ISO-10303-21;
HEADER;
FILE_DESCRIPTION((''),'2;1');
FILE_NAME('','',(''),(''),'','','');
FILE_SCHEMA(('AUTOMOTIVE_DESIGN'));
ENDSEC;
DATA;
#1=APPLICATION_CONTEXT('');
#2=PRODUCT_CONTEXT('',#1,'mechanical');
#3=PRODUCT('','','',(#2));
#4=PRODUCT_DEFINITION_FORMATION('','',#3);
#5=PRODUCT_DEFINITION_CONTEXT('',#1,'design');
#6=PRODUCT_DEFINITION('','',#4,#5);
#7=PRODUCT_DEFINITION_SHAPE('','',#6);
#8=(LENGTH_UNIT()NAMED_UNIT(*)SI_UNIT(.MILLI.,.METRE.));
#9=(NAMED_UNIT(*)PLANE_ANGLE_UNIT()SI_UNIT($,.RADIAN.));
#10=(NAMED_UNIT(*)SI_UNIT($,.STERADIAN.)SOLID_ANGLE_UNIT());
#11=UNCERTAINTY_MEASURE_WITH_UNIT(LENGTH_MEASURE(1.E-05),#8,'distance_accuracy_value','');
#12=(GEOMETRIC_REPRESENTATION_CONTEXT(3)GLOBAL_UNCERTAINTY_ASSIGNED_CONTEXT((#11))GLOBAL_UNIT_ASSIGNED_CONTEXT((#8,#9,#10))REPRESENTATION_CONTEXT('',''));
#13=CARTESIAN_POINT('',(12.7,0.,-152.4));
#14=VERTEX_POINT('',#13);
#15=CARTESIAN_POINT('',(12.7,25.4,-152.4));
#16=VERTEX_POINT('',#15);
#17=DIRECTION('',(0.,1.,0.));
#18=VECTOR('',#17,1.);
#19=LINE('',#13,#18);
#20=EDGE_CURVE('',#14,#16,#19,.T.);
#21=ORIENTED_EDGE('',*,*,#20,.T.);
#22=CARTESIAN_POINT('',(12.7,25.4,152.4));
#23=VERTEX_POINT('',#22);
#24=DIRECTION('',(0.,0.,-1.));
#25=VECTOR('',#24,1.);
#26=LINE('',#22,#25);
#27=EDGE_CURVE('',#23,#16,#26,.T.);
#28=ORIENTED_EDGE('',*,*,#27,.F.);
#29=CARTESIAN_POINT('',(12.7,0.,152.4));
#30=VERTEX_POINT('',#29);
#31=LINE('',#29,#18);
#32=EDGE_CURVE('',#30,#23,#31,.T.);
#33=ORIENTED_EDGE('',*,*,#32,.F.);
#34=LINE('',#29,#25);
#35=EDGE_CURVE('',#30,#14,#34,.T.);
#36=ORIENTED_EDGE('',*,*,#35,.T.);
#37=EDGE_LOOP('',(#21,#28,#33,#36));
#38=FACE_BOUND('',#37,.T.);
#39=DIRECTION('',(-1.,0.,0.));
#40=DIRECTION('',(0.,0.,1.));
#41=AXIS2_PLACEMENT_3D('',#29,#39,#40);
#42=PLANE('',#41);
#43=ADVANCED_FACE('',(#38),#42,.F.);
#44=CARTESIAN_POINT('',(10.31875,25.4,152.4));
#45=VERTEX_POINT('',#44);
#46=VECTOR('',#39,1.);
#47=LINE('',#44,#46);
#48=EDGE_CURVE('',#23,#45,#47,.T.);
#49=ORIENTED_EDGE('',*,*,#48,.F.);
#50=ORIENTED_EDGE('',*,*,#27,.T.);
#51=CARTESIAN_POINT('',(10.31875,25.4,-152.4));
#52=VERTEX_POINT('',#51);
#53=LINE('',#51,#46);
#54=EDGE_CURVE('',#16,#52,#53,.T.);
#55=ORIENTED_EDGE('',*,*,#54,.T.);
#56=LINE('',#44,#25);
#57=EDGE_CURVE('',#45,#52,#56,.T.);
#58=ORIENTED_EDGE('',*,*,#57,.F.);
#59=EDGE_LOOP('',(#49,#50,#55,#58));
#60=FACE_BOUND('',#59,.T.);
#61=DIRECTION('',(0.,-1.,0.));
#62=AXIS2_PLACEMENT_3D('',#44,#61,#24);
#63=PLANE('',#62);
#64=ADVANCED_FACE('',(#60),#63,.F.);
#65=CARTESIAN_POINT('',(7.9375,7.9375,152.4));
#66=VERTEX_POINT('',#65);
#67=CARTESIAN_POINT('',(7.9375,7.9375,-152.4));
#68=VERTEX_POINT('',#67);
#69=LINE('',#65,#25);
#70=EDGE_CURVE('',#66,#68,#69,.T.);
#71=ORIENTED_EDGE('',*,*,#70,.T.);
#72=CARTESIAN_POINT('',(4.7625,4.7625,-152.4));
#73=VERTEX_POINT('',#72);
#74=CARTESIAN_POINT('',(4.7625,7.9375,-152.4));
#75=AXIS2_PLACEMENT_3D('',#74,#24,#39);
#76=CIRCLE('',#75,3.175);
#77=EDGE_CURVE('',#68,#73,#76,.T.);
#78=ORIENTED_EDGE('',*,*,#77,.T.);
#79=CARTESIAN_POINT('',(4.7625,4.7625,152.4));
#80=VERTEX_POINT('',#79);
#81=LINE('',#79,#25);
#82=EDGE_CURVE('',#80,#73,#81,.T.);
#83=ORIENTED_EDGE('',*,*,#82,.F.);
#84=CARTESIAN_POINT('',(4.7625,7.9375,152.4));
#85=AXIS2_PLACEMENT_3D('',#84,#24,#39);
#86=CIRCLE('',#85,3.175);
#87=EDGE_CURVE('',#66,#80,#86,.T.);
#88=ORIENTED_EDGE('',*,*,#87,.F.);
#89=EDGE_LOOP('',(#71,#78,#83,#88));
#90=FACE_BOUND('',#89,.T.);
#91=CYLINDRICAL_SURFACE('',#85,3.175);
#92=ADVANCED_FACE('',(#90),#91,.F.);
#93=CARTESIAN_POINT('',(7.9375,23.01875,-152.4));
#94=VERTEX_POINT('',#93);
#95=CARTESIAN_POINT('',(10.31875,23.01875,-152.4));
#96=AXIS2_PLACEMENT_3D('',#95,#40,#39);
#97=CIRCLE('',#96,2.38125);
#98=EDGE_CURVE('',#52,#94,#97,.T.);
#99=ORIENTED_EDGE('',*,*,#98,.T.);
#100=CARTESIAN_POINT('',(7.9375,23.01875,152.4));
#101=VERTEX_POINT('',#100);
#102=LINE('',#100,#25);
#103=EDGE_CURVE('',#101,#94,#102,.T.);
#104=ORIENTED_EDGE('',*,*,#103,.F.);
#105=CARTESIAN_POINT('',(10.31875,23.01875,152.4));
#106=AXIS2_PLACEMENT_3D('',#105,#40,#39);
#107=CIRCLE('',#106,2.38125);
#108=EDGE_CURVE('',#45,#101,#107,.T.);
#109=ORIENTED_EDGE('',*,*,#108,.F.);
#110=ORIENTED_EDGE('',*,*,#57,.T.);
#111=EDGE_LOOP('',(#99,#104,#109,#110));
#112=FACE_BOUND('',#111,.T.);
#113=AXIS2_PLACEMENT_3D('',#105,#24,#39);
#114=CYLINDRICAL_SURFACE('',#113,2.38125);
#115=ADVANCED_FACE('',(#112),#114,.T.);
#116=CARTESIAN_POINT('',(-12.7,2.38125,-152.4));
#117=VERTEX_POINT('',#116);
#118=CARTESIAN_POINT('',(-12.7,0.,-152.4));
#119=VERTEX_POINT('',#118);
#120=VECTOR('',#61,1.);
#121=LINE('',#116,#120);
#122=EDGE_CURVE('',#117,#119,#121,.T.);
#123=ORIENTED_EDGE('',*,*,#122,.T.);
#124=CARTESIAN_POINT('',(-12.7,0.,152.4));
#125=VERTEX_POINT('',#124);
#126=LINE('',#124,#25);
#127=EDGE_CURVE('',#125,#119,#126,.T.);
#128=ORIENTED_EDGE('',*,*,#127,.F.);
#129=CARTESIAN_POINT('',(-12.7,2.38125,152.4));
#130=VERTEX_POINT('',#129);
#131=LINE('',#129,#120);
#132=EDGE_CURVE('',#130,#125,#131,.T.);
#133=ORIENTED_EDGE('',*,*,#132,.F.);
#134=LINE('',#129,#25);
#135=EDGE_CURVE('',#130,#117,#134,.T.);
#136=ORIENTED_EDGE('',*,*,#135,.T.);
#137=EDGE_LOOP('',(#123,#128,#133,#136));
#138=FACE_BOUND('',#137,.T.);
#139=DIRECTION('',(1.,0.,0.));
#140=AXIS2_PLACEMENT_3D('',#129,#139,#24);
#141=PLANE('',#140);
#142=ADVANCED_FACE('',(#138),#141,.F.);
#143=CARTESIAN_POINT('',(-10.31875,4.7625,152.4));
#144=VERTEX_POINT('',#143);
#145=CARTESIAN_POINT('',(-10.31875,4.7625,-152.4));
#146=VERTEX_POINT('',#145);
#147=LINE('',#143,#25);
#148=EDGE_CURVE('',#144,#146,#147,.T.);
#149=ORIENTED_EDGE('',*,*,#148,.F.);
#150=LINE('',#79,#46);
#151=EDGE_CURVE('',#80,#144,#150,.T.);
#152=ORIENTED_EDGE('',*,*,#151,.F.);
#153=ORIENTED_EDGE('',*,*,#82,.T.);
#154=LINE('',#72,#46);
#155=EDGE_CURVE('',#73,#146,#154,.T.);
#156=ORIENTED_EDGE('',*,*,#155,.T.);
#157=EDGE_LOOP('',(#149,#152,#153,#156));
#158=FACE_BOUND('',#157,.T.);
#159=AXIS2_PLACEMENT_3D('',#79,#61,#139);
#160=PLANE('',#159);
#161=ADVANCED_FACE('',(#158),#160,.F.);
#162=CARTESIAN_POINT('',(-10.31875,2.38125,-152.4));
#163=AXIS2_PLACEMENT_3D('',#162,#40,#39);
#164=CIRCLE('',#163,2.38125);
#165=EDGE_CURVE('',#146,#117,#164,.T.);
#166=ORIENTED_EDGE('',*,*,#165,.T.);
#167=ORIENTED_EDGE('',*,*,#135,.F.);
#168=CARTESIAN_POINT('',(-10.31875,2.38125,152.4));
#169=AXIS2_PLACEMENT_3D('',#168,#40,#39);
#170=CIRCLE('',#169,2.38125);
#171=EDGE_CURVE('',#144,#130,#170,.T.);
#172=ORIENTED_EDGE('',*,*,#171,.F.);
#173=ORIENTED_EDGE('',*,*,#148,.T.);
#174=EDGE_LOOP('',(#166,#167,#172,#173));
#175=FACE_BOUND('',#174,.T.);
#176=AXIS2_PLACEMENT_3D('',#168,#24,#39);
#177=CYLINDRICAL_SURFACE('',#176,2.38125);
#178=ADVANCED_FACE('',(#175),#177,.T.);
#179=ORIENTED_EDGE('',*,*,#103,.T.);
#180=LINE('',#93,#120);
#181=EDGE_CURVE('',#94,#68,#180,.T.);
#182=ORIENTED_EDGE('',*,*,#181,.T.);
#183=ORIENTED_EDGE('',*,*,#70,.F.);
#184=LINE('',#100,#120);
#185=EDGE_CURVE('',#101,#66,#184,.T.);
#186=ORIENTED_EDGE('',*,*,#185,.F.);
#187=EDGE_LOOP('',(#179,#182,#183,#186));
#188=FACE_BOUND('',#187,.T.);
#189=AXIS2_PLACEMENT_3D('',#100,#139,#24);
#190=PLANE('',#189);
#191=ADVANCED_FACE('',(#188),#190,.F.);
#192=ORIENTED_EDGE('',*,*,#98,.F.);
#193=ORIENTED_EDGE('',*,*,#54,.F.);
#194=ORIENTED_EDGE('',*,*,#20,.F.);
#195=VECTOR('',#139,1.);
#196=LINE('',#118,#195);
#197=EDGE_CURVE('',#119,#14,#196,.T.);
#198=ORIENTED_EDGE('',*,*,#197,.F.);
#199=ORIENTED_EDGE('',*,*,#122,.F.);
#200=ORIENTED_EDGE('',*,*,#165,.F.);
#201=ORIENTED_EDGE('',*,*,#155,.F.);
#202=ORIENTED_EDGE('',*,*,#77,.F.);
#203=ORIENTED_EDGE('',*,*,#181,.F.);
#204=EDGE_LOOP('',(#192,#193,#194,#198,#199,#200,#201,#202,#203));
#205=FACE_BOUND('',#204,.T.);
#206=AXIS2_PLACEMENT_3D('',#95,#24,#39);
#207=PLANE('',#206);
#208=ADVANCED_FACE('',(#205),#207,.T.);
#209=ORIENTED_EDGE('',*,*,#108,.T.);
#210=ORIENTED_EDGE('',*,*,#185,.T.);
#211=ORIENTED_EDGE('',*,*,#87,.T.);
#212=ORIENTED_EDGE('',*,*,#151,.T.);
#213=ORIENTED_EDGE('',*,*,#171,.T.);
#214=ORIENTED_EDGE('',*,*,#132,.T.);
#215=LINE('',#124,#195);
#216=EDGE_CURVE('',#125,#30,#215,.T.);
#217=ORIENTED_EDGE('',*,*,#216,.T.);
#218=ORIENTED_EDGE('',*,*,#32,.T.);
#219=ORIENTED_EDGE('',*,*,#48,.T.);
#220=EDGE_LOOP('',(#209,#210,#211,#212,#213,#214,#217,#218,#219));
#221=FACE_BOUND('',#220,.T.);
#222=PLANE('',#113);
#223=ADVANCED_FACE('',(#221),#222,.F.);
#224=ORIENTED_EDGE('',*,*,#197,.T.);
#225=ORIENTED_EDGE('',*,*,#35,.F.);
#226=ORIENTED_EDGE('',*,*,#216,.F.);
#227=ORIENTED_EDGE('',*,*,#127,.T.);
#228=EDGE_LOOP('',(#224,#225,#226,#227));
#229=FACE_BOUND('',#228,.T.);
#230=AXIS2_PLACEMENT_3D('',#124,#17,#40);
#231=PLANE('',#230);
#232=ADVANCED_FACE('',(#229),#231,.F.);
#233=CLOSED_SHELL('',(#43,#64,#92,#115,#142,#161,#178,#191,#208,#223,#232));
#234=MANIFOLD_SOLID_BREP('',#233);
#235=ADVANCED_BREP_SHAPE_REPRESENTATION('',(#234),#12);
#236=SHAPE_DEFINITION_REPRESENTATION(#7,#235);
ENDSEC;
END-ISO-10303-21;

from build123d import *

# Parameters (mm, degrees)
BOSS_EXTRUDE1_DEPTH = 152.4


with BuildPart() as part:
    # Sketch2 → Boss-Extrude1 (new, symmetric)
    with BuildSketch(Plane.XY):
        with BuildLine():
            Line((-12.7, 0), (12.7, 0))
            Line((12.7, 0), (12.7, 25.4))
            Line((12.7, 25.4), (10.31875, 25.4))
            ThreePointArc((10.31875, 25.4), (8.634951977, 24.702548023), (7.9375, 23.01875))
            Line((7.9375, 23.01875), (7.9375, 7.9375))
            ThreePointArc((7.9375, 7.9375), (7.00756403, 5.69243597), (4.7625, 4.7625))
            Line((4.7625, 4.7625), (-10.31875, 4.7625))
            ThreePointArc((-10.31875, 4.7625), (-12.002548023, 4.065048023), (-12.7, 2.38125))
            Line((-12.7, 2.38125), (-12.7, 0))
        make_face()
    extrude(amount=BOSS_EXTRUDE1_DEPTH, both=True)


solid = part.part
